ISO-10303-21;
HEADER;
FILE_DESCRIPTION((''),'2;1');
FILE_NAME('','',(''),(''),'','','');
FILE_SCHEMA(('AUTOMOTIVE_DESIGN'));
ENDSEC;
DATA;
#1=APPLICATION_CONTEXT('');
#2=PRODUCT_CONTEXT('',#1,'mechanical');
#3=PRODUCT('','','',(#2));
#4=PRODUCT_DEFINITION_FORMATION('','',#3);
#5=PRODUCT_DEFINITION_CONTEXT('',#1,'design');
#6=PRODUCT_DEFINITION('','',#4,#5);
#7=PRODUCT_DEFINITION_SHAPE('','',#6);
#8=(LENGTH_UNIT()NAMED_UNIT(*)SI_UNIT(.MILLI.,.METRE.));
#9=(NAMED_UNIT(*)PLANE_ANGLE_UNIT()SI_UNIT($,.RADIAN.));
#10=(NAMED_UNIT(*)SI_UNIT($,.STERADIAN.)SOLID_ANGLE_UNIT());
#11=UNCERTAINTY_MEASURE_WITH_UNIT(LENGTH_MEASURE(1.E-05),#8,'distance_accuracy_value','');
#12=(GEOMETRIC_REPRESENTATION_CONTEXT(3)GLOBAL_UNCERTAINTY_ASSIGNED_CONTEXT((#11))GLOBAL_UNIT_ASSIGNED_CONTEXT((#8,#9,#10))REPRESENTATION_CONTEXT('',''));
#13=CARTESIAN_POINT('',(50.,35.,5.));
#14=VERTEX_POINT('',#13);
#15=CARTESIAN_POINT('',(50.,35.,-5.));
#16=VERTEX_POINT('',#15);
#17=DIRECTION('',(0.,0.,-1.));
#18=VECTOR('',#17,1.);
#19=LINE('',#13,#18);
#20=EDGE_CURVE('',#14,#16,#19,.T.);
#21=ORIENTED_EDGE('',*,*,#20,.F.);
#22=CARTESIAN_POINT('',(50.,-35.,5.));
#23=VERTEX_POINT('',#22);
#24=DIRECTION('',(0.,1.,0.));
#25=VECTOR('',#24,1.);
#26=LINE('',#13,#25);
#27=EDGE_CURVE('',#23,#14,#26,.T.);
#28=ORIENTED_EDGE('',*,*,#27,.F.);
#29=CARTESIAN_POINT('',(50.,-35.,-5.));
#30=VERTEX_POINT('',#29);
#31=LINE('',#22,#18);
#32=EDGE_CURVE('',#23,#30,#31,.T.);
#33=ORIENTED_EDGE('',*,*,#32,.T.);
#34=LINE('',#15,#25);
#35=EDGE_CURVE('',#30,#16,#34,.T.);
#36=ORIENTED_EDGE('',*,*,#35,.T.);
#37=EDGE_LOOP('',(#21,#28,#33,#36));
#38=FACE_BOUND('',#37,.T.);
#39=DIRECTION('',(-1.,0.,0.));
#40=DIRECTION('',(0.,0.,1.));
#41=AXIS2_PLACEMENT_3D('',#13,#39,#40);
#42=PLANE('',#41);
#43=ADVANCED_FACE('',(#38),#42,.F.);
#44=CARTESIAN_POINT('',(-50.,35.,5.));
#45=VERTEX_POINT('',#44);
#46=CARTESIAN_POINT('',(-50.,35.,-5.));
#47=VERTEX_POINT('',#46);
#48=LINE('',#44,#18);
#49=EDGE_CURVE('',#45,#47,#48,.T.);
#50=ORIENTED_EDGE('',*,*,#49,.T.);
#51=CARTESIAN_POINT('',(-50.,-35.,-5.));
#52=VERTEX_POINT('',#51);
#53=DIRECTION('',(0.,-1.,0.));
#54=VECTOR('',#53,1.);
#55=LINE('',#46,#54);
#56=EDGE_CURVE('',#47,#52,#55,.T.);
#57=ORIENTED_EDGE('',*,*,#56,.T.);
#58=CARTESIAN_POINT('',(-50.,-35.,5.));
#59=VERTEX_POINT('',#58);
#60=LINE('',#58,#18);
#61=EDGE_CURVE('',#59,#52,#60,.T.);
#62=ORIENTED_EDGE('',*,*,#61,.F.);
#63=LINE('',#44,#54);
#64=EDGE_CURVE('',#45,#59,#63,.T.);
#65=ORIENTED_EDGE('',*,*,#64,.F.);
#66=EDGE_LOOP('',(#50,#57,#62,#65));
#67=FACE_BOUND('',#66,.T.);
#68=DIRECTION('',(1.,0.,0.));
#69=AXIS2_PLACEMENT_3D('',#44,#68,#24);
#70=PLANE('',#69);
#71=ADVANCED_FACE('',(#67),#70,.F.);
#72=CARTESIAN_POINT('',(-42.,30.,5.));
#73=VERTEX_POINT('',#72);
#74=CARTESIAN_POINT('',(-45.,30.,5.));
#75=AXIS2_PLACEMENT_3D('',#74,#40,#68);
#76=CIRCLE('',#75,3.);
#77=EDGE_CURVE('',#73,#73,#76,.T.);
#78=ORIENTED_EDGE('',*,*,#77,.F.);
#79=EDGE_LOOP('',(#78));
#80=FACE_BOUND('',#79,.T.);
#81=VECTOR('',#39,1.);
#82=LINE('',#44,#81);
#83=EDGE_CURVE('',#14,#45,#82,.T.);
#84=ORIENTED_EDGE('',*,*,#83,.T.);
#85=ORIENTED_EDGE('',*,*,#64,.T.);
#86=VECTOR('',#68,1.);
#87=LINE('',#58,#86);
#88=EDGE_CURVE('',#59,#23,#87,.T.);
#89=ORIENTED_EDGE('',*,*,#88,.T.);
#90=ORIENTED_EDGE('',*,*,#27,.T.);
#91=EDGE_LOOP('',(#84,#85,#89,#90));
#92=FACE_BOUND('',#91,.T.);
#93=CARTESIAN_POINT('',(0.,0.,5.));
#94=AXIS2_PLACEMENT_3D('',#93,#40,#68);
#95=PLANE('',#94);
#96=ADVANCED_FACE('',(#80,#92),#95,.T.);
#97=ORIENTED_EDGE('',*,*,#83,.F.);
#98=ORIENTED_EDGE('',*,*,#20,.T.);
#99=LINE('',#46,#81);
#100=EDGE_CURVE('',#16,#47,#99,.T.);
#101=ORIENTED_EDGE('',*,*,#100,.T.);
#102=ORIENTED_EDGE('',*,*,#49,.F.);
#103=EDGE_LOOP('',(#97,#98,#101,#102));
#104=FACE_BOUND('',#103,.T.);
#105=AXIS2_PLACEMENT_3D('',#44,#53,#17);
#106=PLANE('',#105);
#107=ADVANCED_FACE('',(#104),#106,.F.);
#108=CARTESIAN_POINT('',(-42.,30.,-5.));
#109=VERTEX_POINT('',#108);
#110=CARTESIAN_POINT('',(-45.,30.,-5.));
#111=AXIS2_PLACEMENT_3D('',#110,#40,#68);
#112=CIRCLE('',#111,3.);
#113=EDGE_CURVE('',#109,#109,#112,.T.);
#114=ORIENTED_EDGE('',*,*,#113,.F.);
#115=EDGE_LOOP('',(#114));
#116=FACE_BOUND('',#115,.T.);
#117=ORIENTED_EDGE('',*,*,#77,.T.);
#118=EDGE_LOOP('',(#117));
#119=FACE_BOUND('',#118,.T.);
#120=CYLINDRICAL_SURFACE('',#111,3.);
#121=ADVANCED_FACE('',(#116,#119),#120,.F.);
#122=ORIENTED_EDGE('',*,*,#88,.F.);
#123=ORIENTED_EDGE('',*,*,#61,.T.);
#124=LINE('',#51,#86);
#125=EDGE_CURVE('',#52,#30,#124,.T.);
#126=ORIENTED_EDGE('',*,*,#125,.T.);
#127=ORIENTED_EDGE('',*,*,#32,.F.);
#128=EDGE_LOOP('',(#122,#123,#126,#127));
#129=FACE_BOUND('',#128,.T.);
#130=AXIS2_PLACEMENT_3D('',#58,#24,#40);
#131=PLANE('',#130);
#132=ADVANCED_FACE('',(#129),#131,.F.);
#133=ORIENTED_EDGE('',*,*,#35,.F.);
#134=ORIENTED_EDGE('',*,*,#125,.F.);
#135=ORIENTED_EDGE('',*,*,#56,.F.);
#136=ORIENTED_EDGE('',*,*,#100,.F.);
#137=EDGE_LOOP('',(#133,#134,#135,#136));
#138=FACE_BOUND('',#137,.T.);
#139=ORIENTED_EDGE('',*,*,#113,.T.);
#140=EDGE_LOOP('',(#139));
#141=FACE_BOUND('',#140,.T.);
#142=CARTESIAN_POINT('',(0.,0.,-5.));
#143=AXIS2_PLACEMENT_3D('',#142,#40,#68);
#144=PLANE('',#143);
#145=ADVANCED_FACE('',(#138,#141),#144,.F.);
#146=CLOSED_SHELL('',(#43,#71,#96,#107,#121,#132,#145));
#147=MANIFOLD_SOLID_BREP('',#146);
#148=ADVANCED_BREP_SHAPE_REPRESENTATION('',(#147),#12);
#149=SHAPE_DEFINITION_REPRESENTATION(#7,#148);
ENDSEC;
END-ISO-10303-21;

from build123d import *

# Parameters (mm, degrees)
SKETCH_1_W          = 100
SKETCH_1_H          = 70
EXTRUDE_1_DEPTH     = 5
SKETCH_2_R          = 3
CUT_EXTRUDE_1_DEPTH = 10


with BuildPart() as part:
    # 草图1 → 凸台-拉伸1 (new, symmetric)
    with BuildSketch(Plane.XY):
        Rectangle(SKETCH_1_W, SKETCH_1_H)
    extrude(amount=EXTRUDE_1_DEPTH, both=True)

    # 草图2 → 切除-拉伸1 (cut)
    with BuildSketch(Plane.XY.offset(5)):
        with Locations((-45, 30)):
            Circle(SKETCH_2_R)
    extrude(amount=-CUT_EXTRUDE_1_DEPTH, mode=Mode.SUBTRACT)


solid = part.part
